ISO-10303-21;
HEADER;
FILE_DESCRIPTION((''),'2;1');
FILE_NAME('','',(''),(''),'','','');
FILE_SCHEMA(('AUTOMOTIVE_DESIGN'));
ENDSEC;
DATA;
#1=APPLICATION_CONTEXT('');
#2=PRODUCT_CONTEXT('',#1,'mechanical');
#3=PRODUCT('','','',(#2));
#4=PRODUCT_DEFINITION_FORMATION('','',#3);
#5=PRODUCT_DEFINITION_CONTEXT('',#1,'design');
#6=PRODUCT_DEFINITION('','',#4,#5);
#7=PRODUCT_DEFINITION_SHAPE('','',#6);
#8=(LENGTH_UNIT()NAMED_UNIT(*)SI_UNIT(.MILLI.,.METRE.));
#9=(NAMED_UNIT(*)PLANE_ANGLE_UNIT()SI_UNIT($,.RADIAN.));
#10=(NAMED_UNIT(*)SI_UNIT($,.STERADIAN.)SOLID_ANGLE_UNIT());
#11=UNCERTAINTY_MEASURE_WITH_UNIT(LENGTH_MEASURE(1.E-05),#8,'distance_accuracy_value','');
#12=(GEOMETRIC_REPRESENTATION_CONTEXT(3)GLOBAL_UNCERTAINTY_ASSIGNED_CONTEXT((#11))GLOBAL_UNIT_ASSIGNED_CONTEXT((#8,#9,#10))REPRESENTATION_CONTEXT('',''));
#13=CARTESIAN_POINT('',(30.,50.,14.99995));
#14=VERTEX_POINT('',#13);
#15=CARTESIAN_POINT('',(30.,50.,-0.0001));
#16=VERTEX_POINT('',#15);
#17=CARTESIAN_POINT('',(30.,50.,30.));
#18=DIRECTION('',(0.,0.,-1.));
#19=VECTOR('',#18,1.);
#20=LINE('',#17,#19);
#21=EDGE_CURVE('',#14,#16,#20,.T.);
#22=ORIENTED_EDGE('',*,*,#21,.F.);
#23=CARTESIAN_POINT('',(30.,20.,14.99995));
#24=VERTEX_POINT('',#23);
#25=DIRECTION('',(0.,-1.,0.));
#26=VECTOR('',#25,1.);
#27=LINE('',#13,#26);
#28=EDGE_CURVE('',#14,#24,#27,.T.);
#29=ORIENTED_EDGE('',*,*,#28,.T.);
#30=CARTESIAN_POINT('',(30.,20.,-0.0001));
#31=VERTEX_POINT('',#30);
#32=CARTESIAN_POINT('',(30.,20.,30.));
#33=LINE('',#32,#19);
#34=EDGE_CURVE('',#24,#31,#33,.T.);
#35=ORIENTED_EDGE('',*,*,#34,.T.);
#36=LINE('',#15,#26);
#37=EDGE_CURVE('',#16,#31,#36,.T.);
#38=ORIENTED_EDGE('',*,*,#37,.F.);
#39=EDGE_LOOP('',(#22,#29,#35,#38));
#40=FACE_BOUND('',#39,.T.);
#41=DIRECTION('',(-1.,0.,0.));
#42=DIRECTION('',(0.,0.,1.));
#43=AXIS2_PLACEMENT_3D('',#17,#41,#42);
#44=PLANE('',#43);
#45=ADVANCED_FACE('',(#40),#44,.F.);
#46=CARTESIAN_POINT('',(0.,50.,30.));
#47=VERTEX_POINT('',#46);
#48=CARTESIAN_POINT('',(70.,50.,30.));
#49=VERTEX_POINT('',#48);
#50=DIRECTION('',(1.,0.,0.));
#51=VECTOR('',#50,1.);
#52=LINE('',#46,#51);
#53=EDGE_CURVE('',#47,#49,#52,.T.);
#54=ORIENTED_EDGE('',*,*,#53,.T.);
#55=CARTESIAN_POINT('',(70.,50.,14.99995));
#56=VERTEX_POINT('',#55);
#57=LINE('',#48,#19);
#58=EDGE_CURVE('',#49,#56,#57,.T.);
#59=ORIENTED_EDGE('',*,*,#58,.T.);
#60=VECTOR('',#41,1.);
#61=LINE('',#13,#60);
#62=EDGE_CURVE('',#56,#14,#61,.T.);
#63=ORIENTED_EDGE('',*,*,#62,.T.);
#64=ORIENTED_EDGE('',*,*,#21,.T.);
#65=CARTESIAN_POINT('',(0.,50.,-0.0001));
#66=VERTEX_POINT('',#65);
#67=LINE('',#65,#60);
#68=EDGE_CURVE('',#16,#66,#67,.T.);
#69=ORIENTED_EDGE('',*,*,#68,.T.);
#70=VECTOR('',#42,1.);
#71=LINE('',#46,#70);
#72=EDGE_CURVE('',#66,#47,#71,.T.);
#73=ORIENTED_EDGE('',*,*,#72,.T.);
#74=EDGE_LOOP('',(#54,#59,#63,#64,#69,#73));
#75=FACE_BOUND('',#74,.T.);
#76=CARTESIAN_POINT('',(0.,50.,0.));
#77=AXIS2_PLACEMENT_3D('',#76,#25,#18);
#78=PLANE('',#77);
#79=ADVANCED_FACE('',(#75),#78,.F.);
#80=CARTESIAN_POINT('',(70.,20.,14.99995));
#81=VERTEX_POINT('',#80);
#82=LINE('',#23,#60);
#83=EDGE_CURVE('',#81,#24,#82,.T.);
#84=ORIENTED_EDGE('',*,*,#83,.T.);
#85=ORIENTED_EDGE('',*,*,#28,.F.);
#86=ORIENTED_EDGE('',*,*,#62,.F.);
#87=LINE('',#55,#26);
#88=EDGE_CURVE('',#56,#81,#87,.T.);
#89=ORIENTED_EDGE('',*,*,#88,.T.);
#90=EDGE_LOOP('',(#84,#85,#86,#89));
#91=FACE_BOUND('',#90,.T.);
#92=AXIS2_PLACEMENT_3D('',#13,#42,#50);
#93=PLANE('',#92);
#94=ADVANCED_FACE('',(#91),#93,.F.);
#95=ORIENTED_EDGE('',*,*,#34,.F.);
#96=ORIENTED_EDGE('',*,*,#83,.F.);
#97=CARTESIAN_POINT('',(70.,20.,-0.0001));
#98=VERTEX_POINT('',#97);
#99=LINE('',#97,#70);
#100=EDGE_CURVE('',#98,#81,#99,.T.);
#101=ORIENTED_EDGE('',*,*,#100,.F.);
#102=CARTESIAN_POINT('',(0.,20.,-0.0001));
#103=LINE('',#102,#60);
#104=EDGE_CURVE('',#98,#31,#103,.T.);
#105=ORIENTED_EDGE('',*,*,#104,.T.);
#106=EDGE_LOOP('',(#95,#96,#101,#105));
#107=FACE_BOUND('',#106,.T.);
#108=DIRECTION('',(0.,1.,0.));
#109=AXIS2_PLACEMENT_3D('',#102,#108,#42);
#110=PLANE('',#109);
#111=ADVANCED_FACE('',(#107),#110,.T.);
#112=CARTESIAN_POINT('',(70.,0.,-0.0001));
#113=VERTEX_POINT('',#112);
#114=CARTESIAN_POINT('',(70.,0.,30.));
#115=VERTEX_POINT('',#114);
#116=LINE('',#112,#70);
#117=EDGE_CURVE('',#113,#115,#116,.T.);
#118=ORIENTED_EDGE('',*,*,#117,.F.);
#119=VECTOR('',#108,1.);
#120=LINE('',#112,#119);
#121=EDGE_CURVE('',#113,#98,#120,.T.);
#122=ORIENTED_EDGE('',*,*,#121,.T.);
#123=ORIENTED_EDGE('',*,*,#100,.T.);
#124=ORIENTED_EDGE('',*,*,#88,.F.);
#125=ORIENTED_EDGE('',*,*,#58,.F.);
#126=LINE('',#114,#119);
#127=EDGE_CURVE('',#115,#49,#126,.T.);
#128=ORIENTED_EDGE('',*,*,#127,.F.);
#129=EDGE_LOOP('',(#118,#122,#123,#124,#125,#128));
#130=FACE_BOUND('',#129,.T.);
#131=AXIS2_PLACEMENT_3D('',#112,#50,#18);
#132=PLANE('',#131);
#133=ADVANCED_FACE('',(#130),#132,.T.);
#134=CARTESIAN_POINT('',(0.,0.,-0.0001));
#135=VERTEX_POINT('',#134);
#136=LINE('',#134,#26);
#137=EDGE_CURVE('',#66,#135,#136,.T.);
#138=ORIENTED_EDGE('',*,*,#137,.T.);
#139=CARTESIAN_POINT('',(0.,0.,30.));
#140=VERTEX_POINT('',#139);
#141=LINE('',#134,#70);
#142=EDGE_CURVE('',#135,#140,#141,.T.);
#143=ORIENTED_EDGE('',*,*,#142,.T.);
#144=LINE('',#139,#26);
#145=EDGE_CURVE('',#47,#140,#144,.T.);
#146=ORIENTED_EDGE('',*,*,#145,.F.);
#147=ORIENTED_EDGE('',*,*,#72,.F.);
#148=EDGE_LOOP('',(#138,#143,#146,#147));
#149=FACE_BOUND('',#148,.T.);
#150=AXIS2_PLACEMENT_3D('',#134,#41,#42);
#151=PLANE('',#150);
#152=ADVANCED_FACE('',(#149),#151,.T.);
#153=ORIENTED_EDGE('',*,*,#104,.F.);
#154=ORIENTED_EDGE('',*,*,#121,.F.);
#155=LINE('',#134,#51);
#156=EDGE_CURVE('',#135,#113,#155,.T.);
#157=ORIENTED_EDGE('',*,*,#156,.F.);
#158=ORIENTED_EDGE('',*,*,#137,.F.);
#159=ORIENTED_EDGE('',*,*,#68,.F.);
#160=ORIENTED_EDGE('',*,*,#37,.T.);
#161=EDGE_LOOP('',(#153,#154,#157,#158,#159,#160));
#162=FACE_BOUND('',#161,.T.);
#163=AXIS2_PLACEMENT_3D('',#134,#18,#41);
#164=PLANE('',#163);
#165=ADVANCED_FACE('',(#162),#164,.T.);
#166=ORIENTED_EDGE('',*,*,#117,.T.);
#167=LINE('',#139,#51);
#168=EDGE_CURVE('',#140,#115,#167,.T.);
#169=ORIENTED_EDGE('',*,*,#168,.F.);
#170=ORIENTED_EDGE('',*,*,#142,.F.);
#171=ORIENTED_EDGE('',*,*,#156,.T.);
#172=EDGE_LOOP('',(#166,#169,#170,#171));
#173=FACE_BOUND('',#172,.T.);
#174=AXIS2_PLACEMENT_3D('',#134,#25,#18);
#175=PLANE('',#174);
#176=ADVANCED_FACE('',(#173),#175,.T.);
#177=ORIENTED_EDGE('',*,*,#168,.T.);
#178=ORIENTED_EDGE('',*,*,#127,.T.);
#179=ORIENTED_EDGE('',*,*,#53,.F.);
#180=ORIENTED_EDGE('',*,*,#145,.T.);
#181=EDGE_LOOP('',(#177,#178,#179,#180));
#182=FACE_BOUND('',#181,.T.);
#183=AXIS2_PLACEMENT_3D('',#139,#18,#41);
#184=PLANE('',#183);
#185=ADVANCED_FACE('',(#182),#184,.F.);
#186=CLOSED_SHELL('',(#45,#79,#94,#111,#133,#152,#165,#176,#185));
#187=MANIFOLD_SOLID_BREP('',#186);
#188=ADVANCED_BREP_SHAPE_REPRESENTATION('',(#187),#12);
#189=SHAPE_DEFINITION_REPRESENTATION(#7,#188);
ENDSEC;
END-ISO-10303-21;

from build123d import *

# Parameters (mm, degrees)
BOSS_EXTRUDE3_DEPTH      = 30
BOSS_EXTRUDE3_DEPTH_BACK = 0.0001
SKETCH4_W                = 70
SKETCH4_H                = 20
SKETCH6_W                = 30
SKETCH6_H                = 30.0001
BOSS_EXTRUDE4_DEPTH      = 30
SKETCH7_W                = 40
SKETCH7_H                = 15.00005
BOSS_EXTRUDE5_DEPTH      = 30


with BuildPart() as part:
    # Sketch4 → Boss-Extrude3 (new, two sides: drawn at the far end of the back side and taken through both)
    with BuildSketch(Plane.XY.offset(-BOSS_EXTRUDE3_DEPTH_BACK)):
        with Locations((35, 10)):
            Rectangle(SKETCH4_W, SKETCH4_H)
    extrude(amount=BOSS_EXTRUDE3_DEPTH + BOSS_EXTRUDE3_DEPTH_BACK)

    # Sketch6 → Boss-Extrude4 (add)
    with BuildSketch(Plane(origin=(0, 20, 0), x_dir=(1, 0, 0), z_dir=(0, 1, 0))):
        with Locations((15, -14.99995)):
            Rectangle(SKETCH6_W, SKETCH6_H)
    extrude(amount=BOSS_EXTRUDE4_DEPTH)

    # Sketch7 → Boss-Extrude5 (add)
    with BuildSketch(Plane(origin=(0, 20, 0), x_dir=(1, 0, 0), z_dir=(0, 1, 0))):
        with Locations((50, -22.499975)):
            Rectangle(SKETCH7_W, SKETCH7_H)
    extrude(amount=BOSS_EXTRUDE5_DEPTH)


solid = part.part
